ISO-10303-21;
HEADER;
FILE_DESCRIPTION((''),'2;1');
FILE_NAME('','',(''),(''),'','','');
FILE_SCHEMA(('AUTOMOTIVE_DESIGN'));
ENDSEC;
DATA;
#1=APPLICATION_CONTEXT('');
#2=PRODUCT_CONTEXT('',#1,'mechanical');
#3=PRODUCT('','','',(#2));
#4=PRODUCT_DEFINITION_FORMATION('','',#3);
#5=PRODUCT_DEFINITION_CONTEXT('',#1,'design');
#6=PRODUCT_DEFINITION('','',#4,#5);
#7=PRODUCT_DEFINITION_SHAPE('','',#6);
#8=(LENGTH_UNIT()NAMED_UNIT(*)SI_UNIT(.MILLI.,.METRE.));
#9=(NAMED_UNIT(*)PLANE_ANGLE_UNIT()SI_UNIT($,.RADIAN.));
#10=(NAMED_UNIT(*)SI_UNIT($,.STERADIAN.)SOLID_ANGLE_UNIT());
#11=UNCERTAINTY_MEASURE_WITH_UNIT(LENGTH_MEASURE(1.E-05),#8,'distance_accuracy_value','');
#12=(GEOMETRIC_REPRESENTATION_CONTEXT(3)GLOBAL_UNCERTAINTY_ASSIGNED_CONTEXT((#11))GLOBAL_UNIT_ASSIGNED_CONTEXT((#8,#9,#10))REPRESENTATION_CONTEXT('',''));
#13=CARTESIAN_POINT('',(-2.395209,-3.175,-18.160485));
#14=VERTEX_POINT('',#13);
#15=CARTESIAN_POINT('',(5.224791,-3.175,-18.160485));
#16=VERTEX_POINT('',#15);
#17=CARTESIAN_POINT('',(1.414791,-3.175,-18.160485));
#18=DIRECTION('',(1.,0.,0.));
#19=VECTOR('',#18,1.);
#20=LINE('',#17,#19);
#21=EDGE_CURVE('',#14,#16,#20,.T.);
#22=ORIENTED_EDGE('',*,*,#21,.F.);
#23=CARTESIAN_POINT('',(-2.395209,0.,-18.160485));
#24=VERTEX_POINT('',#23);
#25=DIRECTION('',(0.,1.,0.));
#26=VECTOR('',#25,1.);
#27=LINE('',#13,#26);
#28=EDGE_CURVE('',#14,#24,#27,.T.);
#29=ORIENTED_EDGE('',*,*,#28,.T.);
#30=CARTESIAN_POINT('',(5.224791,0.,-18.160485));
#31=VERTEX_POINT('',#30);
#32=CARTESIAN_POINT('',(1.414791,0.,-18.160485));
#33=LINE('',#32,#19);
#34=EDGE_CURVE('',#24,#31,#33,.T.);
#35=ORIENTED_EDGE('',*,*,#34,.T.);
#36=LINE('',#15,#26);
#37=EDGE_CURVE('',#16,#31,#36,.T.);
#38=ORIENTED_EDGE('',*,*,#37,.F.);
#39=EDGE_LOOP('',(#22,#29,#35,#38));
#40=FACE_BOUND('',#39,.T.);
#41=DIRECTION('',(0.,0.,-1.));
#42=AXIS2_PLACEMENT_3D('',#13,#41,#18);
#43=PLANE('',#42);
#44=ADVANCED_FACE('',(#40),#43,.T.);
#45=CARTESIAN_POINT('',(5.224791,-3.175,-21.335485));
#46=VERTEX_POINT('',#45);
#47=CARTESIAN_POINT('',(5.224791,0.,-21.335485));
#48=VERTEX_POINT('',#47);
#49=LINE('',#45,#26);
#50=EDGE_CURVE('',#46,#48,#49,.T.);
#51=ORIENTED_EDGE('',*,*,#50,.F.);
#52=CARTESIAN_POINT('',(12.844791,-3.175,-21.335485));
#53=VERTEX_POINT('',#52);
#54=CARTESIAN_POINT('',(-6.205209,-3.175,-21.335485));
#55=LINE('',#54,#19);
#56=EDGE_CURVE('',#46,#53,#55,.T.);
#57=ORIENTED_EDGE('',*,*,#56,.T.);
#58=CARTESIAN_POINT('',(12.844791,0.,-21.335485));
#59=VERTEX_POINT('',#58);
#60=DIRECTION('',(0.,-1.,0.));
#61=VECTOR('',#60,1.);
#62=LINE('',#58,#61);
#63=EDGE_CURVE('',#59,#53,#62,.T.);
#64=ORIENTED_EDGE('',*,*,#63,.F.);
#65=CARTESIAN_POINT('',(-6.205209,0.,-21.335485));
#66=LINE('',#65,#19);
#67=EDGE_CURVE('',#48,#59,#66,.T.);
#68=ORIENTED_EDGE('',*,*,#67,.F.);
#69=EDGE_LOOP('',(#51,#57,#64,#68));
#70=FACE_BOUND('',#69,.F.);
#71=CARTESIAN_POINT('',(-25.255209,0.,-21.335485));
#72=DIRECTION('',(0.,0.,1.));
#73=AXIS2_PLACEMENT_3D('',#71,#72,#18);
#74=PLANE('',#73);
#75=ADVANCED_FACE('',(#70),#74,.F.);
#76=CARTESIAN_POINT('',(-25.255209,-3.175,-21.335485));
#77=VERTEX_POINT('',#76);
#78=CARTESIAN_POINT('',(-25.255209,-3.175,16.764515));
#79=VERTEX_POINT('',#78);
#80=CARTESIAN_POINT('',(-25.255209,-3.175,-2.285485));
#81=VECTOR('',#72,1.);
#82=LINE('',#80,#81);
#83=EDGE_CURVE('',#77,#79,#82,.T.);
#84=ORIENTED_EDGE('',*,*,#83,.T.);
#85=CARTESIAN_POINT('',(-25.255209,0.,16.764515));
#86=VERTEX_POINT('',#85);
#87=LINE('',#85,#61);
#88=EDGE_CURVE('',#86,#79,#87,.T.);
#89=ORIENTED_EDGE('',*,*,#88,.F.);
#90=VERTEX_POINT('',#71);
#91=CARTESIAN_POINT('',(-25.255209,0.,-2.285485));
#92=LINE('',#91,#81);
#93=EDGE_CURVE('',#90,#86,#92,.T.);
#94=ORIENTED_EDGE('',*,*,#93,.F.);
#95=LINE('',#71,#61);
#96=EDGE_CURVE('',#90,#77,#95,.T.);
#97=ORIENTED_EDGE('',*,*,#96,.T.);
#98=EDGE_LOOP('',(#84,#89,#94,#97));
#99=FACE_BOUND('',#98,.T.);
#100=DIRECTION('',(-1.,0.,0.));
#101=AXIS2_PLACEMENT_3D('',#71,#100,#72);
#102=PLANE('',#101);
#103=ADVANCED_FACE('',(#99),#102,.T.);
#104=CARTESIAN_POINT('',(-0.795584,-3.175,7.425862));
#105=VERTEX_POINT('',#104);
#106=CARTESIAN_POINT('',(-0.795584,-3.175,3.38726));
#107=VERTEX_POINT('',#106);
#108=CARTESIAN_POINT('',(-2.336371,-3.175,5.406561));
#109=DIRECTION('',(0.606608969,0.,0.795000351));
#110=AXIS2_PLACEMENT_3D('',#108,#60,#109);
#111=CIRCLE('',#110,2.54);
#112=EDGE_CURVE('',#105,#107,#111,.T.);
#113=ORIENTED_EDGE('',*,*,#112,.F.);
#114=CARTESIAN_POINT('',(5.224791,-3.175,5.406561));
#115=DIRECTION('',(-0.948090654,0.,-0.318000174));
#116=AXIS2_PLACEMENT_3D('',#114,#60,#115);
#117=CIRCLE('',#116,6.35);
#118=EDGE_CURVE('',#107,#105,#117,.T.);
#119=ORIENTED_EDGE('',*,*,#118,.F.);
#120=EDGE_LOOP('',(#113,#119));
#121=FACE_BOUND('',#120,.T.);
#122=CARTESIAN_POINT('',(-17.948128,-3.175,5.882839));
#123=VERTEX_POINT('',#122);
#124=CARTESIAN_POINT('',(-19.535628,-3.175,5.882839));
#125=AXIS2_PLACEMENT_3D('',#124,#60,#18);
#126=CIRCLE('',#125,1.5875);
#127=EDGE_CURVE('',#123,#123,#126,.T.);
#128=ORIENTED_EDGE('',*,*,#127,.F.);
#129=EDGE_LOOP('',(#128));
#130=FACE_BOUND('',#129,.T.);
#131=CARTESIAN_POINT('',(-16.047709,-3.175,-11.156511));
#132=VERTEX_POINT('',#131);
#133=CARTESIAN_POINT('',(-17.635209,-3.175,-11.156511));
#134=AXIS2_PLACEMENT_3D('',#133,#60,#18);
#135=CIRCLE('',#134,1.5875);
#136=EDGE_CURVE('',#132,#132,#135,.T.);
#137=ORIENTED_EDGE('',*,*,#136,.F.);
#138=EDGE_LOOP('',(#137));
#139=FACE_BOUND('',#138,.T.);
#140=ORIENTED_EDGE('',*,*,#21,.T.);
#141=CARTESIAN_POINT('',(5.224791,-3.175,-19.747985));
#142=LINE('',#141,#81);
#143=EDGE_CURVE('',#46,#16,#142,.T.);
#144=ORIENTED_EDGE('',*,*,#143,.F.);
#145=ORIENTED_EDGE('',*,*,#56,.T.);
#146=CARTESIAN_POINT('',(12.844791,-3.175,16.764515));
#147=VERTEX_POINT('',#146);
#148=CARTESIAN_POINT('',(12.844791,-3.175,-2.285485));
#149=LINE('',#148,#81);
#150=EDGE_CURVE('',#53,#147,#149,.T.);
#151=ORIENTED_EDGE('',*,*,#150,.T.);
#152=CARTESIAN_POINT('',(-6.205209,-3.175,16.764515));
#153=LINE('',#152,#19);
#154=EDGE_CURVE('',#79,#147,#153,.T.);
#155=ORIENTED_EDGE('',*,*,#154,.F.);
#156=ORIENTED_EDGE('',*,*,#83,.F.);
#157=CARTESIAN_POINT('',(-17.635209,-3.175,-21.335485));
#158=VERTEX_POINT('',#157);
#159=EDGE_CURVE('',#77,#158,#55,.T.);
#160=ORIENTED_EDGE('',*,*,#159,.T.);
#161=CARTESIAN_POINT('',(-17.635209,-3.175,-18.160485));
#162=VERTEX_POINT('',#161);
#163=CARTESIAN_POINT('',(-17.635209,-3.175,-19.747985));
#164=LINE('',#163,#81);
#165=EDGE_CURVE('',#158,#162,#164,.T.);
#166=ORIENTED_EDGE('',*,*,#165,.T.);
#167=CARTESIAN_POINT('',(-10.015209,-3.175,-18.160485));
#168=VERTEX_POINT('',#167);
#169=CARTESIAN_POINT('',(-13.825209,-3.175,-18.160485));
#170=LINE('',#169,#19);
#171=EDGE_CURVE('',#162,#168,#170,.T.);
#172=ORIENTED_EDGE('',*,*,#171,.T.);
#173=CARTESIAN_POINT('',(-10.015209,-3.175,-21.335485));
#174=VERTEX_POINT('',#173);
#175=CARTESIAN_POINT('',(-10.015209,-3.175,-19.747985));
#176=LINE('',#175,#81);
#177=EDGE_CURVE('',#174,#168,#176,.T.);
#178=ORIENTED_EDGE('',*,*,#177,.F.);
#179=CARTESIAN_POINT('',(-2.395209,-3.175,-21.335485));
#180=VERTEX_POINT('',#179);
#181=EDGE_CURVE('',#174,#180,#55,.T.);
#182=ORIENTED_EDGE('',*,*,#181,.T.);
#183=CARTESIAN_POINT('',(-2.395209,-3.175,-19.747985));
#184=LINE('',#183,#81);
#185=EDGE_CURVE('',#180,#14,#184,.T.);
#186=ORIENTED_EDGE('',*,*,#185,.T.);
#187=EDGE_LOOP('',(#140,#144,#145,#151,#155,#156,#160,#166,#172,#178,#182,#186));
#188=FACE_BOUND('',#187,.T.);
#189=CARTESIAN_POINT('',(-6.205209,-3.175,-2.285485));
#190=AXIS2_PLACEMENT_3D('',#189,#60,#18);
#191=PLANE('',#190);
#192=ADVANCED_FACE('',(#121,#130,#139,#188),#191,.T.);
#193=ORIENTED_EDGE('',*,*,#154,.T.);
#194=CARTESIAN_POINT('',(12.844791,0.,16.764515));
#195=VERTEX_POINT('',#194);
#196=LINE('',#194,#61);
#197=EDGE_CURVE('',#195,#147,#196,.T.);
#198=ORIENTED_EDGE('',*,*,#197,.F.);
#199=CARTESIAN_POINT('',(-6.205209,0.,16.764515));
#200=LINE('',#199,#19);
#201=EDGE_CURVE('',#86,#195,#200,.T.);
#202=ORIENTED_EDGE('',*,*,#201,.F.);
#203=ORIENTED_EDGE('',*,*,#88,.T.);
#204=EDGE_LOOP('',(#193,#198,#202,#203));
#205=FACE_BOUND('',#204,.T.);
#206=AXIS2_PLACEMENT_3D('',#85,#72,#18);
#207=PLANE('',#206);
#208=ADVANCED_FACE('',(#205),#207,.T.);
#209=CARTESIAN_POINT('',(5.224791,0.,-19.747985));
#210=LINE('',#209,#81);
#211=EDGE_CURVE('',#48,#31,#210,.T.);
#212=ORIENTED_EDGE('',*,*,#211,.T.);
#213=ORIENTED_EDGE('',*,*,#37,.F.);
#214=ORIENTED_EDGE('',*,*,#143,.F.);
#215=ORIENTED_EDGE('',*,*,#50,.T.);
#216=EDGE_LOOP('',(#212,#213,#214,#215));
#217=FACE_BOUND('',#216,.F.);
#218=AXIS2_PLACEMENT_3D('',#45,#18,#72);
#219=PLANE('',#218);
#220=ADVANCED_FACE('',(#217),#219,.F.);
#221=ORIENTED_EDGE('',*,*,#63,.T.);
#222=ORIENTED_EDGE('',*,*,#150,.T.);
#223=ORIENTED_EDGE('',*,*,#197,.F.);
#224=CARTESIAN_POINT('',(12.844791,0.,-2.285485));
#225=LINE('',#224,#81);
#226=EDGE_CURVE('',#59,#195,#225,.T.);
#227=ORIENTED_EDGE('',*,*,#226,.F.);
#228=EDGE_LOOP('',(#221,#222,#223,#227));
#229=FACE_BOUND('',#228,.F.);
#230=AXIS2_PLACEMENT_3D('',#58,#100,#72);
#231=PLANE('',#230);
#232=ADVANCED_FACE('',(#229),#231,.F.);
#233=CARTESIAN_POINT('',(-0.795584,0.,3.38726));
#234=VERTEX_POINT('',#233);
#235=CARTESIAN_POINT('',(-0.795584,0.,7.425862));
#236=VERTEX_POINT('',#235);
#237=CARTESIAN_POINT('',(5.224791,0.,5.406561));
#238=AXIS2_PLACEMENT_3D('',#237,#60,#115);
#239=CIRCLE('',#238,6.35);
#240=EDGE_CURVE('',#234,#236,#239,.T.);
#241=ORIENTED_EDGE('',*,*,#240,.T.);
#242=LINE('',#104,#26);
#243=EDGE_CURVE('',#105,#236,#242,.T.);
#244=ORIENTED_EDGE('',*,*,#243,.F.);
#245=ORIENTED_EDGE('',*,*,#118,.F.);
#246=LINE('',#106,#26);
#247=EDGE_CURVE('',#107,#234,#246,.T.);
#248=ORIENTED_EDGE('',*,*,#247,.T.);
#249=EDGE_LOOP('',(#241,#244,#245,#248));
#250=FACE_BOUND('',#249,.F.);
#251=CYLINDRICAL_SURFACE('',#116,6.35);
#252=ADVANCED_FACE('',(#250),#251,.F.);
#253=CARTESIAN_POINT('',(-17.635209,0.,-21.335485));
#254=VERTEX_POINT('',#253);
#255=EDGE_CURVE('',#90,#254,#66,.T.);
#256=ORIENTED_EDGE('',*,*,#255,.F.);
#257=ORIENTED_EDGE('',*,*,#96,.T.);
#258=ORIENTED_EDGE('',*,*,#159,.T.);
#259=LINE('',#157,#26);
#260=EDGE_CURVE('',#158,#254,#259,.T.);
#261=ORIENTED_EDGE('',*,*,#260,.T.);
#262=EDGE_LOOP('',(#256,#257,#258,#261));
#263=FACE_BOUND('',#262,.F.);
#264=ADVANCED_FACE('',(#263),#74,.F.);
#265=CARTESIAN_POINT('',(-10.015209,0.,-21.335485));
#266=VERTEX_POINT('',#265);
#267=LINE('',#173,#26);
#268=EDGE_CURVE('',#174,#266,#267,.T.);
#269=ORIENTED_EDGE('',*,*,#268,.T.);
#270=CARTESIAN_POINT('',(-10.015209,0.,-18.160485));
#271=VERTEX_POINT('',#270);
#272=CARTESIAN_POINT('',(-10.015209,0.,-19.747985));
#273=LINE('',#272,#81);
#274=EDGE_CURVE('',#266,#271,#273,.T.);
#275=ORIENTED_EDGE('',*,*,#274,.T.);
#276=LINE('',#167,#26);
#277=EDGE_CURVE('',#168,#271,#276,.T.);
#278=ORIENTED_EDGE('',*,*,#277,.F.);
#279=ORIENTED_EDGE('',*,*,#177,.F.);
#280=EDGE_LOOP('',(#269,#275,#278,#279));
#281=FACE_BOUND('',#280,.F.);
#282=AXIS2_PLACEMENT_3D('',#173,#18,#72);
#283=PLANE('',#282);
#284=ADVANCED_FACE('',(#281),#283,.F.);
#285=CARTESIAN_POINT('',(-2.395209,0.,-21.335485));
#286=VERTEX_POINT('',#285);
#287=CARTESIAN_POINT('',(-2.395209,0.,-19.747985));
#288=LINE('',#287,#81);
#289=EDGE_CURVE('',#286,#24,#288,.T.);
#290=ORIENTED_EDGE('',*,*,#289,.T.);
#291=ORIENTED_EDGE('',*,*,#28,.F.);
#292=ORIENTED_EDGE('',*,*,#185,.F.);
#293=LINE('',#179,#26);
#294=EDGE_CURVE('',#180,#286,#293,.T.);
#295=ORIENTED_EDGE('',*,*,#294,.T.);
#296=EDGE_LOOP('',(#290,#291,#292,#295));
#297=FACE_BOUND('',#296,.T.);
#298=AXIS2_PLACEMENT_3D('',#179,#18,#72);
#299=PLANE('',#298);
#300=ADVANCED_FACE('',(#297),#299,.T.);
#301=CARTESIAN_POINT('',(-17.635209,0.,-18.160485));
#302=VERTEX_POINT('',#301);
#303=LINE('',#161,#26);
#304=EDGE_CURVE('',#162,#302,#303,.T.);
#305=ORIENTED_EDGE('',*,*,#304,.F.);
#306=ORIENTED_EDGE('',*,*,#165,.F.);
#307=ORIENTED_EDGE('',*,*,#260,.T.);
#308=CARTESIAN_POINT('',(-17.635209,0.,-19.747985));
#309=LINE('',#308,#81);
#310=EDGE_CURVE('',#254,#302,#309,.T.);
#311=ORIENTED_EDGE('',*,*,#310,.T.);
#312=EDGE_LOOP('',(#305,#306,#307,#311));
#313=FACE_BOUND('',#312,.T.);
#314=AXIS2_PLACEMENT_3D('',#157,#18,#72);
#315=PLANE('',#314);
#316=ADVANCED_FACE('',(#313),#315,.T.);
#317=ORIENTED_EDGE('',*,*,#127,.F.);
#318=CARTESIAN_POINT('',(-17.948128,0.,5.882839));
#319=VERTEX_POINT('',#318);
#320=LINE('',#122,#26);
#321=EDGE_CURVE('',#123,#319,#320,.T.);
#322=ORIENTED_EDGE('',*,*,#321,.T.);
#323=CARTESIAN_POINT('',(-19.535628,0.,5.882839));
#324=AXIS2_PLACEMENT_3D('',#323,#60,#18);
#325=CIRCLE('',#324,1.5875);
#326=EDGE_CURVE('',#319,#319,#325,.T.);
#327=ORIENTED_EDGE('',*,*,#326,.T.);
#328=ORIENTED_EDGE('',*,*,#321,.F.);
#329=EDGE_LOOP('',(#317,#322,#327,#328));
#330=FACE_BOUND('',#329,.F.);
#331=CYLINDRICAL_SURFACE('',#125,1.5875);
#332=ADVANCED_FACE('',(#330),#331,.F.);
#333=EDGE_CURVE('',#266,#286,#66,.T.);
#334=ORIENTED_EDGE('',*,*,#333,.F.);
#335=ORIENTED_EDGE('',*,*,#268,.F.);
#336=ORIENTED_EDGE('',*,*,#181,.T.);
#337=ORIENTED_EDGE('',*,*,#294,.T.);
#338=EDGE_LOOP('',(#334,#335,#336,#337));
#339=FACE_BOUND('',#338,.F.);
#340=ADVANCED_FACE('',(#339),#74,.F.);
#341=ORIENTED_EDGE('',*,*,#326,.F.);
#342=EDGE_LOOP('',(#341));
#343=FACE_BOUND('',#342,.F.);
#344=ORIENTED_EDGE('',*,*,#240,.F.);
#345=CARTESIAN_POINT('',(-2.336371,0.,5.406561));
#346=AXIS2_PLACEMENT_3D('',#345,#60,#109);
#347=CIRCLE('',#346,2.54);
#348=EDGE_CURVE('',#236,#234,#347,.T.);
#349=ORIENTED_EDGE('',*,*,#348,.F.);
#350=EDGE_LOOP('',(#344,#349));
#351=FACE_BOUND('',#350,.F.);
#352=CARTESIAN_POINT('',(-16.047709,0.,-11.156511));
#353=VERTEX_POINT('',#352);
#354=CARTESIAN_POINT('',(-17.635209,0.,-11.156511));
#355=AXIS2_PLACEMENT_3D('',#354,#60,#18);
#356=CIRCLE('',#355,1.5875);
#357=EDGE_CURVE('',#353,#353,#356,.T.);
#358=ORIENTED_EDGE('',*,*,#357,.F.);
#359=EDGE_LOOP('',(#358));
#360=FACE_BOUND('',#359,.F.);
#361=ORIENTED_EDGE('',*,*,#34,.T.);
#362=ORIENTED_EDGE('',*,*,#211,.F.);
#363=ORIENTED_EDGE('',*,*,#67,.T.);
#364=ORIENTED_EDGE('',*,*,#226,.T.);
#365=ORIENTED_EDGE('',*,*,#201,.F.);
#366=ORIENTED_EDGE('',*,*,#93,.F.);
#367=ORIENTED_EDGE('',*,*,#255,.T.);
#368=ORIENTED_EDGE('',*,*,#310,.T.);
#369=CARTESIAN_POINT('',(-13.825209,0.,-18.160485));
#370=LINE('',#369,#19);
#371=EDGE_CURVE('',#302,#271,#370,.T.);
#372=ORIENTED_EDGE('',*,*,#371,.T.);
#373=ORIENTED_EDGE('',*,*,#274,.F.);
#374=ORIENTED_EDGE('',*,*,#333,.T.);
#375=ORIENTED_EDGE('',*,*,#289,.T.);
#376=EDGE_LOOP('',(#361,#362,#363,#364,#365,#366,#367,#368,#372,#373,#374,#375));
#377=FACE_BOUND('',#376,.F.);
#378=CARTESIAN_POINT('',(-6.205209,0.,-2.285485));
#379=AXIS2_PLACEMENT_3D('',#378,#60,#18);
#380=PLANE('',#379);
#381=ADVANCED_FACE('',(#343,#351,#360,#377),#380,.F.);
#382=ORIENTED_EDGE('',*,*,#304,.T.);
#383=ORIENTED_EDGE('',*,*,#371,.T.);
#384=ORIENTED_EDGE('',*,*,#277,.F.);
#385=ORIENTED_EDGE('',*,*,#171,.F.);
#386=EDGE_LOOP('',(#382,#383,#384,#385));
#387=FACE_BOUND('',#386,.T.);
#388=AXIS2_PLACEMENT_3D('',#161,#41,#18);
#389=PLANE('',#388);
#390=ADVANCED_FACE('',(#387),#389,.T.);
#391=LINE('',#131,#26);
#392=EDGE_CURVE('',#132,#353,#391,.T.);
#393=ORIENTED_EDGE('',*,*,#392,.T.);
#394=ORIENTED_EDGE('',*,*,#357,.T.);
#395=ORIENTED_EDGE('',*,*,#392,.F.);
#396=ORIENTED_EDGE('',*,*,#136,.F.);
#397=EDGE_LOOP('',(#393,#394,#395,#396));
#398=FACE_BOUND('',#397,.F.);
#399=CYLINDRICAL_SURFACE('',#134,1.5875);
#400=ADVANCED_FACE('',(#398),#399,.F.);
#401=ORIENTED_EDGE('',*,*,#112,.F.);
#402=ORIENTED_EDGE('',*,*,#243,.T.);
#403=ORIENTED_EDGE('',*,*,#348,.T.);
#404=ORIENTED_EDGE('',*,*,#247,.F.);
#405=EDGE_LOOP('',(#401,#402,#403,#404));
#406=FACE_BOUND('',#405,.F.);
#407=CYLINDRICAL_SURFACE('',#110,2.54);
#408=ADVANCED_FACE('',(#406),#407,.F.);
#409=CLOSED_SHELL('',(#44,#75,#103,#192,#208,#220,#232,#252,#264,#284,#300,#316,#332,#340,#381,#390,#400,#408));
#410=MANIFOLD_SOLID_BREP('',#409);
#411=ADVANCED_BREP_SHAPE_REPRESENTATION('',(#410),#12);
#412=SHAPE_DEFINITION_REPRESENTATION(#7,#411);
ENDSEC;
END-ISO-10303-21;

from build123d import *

# Parameters (mm, degrees)
F0_W     = 38.1
F0_H     = 38.1
F1_DEPTH = 3.175
F2_W     = 7.62
F2_H     = 3.175
F2_R     = 1.5875
F3_DEPTH = 3.175


with BuildPart() as f1:
    # F0 (on Front) → F1 (new body)
    with BuildSketch(Plane.XZ):
        with Locations((-6.205209, -2.285485)):
            Rectangle(F0_W, F0_H)
    extrude(amount=F1_DEPTH)

    # F2 (on face) → F3 (cut)
    with BuildSketch(Plane.XZ.offset(3.175)):
        with BuildLine():
            ThreePointArc((-0.795584, 7.425862), (-4.876371, 5.406561), (-0.795584, 3.38726))
            ThreePointArc((-0.795584, 3.38726), (11.574791, 5.406561), (-0.795584, 7.425862))
        make_face()
        with Locations((-13.825209, -19.747985)):
            Rectangle(F2_W, F2_H)
        with Locations((1.414791, -19.747985)):
            Rectangle(F2_W, F2_H)
        with Locations((-19.535628, 5.882839)):
            Circle(F2_R)
        with Locations((-17.635209, -11.156511)):
            Circle(F2_R)
    extrude(amount=-F3_DEPTH, mode=Mode.SUBTRACT)


solid = f1.part
